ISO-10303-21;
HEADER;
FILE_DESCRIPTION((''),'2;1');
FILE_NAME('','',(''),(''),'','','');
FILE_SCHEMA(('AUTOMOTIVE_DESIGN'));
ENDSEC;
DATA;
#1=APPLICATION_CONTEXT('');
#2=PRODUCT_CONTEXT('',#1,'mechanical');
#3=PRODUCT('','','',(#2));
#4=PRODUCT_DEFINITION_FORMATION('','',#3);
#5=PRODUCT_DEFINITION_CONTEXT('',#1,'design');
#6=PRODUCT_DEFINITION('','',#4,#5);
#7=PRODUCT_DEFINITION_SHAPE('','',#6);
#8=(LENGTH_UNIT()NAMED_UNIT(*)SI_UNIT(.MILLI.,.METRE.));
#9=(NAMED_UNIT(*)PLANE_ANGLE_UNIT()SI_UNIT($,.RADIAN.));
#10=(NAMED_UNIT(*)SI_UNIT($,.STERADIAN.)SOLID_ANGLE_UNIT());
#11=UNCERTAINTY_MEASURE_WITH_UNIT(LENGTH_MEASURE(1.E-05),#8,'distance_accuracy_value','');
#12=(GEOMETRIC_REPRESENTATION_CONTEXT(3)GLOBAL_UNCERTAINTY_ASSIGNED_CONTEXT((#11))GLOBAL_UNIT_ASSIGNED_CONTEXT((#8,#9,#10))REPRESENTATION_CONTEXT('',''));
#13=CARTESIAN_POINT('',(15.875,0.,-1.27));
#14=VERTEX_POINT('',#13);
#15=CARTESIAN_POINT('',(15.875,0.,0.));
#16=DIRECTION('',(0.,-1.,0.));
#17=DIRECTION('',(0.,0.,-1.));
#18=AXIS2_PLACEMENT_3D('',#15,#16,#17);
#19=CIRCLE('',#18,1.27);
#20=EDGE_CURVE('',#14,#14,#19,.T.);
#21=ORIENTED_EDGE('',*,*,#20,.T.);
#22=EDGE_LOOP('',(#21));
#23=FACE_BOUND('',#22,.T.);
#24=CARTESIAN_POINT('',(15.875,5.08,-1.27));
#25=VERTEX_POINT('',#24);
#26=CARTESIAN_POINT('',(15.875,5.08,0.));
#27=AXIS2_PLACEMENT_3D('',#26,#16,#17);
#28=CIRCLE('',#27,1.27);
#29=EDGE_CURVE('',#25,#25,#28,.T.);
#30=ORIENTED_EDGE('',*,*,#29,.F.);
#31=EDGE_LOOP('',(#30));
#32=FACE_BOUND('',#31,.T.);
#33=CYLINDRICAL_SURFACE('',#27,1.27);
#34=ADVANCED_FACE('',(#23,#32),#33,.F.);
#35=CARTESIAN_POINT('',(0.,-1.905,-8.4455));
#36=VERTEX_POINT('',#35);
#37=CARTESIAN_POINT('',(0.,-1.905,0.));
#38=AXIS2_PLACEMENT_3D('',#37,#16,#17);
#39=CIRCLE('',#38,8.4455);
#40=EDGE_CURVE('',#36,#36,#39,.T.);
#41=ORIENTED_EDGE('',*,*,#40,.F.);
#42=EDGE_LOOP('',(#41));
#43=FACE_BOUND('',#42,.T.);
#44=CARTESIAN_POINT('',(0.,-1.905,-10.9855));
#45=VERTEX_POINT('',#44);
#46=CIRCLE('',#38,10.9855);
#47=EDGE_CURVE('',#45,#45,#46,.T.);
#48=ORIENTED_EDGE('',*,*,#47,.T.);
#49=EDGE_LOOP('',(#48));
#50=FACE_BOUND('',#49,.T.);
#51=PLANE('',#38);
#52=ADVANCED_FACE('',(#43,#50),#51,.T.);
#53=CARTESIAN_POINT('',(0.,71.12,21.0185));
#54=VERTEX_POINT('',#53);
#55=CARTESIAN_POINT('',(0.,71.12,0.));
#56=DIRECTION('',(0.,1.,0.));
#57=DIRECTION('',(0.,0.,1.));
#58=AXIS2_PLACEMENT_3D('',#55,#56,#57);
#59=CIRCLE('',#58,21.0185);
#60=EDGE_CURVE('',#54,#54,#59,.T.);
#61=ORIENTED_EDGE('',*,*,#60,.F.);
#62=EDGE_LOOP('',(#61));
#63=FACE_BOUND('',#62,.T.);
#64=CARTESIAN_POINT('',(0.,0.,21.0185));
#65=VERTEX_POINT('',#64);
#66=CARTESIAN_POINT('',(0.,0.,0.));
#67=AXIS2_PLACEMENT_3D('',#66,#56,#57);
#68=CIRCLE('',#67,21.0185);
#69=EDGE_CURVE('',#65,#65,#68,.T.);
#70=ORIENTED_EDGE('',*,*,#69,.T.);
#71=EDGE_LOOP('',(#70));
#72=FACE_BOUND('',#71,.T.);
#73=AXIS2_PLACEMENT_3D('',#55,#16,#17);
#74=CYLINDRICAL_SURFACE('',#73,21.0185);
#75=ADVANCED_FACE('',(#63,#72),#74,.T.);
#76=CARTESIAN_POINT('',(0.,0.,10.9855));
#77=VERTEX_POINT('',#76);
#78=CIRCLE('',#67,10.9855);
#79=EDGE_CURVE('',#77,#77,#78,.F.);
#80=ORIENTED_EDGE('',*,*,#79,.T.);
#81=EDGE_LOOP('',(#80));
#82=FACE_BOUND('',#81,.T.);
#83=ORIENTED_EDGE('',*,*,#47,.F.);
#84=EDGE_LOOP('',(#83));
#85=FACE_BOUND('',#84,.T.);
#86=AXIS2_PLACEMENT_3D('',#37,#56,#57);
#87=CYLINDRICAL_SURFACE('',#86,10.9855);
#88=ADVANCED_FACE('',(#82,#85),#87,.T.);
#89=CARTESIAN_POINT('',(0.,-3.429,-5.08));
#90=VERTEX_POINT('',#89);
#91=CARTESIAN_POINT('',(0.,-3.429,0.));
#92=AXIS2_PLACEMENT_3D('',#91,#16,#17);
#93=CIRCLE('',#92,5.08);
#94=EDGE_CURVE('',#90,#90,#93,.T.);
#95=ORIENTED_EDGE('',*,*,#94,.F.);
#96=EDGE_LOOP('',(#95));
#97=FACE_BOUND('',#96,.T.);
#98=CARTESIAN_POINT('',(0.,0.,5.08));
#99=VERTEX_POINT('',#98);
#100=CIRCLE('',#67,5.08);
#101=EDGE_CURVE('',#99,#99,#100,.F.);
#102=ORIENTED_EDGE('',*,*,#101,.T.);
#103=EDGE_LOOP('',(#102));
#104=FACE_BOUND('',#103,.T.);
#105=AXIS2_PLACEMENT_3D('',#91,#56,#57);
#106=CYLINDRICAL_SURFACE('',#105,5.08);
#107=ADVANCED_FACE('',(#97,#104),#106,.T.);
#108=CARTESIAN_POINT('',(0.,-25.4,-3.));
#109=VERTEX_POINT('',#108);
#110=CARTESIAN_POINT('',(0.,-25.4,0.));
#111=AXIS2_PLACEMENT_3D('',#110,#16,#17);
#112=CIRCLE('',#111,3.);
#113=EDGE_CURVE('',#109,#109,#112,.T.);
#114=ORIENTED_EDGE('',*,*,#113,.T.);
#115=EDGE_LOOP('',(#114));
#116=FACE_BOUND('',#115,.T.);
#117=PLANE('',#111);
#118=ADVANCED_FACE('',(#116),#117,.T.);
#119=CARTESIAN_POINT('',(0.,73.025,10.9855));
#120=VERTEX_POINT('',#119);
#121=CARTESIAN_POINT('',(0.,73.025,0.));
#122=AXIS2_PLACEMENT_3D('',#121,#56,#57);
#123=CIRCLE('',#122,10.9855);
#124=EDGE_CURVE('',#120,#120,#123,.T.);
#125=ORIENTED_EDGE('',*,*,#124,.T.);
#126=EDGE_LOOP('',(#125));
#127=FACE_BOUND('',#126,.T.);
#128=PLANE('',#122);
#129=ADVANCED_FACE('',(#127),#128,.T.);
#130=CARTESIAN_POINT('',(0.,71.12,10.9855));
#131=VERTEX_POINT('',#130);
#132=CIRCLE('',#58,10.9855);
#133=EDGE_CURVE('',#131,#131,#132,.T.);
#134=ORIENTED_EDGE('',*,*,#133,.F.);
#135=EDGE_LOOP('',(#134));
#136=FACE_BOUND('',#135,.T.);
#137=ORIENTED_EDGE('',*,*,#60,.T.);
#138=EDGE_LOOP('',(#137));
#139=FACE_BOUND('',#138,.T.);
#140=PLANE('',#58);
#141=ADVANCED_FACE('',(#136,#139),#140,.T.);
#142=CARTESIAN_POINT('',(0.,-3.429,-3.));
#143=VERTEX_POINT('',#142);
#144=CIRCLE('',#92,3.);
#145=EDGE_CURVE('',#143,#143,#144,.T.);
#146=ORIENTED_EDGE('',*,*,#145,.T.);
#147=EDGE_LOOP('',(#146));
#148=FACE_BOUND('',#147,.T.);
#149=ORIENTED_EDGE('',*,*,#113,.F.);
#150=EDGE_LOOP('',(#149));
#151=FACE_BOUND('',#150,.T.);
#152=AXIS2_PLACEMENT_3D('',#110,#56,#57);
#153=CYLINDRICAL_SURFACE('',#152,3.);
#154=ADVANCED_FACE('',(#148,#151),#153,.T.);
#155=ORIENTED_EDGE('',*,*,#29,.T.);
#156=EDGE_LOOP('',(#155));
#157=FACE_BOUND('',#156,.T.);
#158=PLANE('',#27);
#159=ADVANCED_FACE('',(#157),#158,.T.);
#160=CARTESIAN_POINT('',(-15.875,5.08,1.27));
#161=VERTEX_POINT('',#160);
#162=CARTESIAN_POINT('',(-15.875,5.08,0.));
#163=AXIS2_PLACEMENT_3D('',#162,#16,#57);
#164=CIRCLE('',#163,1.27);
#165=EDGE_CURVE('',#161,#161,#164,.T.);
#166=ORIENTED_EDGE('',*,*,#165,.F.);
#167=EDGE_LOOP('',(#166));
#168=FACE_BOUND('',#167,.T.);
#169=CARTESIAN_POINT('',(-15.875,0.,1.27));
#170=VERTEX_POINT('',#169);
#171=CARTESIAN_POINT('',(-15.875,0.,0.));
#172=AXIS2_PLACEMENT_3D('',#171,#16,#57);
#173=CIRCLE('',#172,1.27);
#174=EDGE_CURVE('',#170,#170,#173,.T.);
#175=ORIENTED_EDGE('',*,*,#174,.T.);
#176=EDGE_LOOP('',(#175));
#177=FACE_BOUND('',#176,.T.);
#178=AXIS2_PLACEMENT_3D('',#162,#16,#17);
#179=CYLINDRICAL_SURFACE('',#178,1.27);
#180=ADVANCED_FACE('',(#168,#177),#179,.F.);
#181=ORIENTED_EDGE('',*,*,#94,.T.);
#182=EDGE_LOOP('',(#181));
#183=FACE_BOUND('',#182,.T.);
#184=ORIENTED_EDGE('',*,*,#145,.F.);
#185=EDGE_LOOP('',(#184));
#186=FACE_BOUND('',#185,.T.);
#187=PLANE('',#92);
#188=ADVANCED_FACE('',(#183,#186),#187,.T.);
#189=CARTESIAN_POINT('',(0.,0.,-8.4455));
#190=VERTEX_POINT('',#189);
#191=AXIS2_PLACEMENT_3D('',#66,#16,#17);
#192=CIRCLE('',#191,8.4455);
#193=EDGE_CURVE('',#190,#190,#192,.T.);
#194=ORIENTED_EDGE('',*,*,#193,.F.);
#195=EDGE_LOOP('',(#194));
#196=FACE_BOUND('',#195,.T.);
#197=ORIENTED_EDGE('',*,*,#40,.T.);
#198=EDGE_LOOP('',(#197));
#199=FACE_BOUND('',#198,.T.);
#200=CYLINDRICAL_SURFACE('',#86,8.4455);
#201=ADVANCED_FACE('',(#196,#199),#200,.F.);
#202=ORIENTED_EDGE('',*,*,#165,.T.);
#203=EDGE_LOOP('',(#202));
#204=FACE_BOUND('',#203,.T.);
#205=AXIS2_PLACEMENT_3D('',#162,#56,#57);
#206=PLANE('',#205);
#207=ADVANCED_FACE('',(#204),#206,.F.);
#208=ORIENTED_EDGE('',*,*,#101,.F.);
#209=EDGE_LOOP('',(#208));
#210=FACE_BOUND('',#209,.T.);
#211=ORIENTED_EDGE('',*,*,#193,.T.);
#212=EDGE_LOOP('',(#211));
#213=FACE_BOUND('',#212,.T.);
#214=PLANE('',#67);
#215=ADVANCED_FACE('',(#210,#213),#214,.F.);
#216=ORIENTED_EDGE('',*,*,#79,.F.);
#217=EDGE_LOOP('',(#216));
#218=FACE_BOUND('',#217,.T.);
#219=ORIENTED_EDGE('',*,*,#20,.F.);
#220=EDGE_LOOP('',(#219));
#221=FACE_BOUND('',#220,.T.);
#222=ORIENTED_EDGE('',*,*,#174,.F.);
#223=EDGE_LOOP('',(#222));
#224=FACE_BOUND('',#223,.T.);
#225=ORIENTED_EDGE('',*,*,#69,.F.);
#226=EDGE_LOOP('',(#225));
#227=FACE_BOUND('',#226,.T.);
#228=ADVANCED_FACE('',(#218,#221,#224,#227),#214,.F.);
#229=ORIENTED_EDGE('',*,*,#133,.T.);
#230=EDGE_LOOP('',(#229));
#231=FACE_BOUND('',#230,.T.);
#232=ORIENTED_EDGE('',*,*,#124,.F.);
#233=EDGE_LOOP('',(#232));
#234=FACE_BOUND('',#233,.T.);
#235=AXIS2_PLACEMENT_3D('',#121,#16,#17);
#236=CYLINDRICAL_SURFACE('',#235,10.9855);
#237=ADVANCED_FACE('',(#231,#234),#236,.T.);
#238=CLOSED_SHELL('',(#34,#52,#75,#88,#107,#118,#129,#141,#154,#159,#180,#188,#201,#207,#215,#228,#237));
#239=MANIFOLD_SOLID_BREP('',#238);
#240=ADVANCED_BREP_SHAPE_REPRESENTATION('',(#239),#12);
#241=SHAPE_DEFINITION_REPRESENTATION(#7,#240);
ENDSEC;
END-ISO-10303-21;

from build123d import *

# Parameters (mm, degrees)
SKETCH2_R           = 21.0185
BOSS_EXTRUDE1_DEPTH = 71.12
SKETCH3_R           = 10.9855
BOSS_EXTRUDE2_DEPTH = 1.905
SKETCH4_R           = 10.9855
SKETCH4_R_2         = 8.4455
BOSS_EXTRUDE3_DEPTH = 1.905
SKETCH5_R           = 3
BOSS_EXTRUDE4_DEPTH = 25.4
SKETCH6_R           = 5.08
BOSS_EXTRUDE5_DEPTH = 3.429
SKETCH7_R           = 1.27
CUT_EXTRUDE1_DEPTH  = 5.08


with BuildPart() as part:
    # Sketch2 → Boss-Extrude1 (new body)
    with BuildSketch(Plane(origin=(0, 0, 0), x_dir=(1, 0, 0), z_dir=(0, 1, 0))):
        Circle(SKETCH2_R)
    extrude(amount=BOSS_EXTRUDE1_DEPTH)

    # Sketch3 → Boss-Extrude2 (add)
    with BuildSketch(Plane(origin=(0, 71.12, 0), x_dir=(1, 0, 0), z_dir=(0, 1, 0))):
        Circle(SKETCH3_R)
    extrude(amount=BOSS_EXTRUDE2_DEPTH)

    # Sketch4 → Boss-Extrude3 (add)
    with BuildSketch(Plane.XZ):
        Circle(SKETCH4_R)
        Circle(SKETCH4_R_2, mode=Mode.SUBTRACT)
    extrude(amount=BOSS_EXTRUDE3_DEPTH)

    # Sketch5 → Boss-Extrude4 (add)
    with BuildSketch(Plane.XZ):
        Circle(SKETCH5_R)
    extrude(amount=BOSS_EXTRUDE4_DEPTH)

    # Sketch6 → Boss-Extrude5 (add)
    with BuildSketch(Plane.XZ):
        Circle(SKETCH6_R)
    extrude(amount=BOSS_EXTRUDE5_DEPTH)

    # Sketch7 → Cut-Extrude1 (cut)
    with BuildSketch(Plane.XZ):
        with Locations((15.875, 0)):
            Circle(SKETCH7_R)
        with Locations((-15.875, 0)):
            Circle(SKETCH7_R)
    extrude(amount=-CUT_EXTRUDE1_DEPTH, mode=Mode.SUBTRACT)


solid = part.part
